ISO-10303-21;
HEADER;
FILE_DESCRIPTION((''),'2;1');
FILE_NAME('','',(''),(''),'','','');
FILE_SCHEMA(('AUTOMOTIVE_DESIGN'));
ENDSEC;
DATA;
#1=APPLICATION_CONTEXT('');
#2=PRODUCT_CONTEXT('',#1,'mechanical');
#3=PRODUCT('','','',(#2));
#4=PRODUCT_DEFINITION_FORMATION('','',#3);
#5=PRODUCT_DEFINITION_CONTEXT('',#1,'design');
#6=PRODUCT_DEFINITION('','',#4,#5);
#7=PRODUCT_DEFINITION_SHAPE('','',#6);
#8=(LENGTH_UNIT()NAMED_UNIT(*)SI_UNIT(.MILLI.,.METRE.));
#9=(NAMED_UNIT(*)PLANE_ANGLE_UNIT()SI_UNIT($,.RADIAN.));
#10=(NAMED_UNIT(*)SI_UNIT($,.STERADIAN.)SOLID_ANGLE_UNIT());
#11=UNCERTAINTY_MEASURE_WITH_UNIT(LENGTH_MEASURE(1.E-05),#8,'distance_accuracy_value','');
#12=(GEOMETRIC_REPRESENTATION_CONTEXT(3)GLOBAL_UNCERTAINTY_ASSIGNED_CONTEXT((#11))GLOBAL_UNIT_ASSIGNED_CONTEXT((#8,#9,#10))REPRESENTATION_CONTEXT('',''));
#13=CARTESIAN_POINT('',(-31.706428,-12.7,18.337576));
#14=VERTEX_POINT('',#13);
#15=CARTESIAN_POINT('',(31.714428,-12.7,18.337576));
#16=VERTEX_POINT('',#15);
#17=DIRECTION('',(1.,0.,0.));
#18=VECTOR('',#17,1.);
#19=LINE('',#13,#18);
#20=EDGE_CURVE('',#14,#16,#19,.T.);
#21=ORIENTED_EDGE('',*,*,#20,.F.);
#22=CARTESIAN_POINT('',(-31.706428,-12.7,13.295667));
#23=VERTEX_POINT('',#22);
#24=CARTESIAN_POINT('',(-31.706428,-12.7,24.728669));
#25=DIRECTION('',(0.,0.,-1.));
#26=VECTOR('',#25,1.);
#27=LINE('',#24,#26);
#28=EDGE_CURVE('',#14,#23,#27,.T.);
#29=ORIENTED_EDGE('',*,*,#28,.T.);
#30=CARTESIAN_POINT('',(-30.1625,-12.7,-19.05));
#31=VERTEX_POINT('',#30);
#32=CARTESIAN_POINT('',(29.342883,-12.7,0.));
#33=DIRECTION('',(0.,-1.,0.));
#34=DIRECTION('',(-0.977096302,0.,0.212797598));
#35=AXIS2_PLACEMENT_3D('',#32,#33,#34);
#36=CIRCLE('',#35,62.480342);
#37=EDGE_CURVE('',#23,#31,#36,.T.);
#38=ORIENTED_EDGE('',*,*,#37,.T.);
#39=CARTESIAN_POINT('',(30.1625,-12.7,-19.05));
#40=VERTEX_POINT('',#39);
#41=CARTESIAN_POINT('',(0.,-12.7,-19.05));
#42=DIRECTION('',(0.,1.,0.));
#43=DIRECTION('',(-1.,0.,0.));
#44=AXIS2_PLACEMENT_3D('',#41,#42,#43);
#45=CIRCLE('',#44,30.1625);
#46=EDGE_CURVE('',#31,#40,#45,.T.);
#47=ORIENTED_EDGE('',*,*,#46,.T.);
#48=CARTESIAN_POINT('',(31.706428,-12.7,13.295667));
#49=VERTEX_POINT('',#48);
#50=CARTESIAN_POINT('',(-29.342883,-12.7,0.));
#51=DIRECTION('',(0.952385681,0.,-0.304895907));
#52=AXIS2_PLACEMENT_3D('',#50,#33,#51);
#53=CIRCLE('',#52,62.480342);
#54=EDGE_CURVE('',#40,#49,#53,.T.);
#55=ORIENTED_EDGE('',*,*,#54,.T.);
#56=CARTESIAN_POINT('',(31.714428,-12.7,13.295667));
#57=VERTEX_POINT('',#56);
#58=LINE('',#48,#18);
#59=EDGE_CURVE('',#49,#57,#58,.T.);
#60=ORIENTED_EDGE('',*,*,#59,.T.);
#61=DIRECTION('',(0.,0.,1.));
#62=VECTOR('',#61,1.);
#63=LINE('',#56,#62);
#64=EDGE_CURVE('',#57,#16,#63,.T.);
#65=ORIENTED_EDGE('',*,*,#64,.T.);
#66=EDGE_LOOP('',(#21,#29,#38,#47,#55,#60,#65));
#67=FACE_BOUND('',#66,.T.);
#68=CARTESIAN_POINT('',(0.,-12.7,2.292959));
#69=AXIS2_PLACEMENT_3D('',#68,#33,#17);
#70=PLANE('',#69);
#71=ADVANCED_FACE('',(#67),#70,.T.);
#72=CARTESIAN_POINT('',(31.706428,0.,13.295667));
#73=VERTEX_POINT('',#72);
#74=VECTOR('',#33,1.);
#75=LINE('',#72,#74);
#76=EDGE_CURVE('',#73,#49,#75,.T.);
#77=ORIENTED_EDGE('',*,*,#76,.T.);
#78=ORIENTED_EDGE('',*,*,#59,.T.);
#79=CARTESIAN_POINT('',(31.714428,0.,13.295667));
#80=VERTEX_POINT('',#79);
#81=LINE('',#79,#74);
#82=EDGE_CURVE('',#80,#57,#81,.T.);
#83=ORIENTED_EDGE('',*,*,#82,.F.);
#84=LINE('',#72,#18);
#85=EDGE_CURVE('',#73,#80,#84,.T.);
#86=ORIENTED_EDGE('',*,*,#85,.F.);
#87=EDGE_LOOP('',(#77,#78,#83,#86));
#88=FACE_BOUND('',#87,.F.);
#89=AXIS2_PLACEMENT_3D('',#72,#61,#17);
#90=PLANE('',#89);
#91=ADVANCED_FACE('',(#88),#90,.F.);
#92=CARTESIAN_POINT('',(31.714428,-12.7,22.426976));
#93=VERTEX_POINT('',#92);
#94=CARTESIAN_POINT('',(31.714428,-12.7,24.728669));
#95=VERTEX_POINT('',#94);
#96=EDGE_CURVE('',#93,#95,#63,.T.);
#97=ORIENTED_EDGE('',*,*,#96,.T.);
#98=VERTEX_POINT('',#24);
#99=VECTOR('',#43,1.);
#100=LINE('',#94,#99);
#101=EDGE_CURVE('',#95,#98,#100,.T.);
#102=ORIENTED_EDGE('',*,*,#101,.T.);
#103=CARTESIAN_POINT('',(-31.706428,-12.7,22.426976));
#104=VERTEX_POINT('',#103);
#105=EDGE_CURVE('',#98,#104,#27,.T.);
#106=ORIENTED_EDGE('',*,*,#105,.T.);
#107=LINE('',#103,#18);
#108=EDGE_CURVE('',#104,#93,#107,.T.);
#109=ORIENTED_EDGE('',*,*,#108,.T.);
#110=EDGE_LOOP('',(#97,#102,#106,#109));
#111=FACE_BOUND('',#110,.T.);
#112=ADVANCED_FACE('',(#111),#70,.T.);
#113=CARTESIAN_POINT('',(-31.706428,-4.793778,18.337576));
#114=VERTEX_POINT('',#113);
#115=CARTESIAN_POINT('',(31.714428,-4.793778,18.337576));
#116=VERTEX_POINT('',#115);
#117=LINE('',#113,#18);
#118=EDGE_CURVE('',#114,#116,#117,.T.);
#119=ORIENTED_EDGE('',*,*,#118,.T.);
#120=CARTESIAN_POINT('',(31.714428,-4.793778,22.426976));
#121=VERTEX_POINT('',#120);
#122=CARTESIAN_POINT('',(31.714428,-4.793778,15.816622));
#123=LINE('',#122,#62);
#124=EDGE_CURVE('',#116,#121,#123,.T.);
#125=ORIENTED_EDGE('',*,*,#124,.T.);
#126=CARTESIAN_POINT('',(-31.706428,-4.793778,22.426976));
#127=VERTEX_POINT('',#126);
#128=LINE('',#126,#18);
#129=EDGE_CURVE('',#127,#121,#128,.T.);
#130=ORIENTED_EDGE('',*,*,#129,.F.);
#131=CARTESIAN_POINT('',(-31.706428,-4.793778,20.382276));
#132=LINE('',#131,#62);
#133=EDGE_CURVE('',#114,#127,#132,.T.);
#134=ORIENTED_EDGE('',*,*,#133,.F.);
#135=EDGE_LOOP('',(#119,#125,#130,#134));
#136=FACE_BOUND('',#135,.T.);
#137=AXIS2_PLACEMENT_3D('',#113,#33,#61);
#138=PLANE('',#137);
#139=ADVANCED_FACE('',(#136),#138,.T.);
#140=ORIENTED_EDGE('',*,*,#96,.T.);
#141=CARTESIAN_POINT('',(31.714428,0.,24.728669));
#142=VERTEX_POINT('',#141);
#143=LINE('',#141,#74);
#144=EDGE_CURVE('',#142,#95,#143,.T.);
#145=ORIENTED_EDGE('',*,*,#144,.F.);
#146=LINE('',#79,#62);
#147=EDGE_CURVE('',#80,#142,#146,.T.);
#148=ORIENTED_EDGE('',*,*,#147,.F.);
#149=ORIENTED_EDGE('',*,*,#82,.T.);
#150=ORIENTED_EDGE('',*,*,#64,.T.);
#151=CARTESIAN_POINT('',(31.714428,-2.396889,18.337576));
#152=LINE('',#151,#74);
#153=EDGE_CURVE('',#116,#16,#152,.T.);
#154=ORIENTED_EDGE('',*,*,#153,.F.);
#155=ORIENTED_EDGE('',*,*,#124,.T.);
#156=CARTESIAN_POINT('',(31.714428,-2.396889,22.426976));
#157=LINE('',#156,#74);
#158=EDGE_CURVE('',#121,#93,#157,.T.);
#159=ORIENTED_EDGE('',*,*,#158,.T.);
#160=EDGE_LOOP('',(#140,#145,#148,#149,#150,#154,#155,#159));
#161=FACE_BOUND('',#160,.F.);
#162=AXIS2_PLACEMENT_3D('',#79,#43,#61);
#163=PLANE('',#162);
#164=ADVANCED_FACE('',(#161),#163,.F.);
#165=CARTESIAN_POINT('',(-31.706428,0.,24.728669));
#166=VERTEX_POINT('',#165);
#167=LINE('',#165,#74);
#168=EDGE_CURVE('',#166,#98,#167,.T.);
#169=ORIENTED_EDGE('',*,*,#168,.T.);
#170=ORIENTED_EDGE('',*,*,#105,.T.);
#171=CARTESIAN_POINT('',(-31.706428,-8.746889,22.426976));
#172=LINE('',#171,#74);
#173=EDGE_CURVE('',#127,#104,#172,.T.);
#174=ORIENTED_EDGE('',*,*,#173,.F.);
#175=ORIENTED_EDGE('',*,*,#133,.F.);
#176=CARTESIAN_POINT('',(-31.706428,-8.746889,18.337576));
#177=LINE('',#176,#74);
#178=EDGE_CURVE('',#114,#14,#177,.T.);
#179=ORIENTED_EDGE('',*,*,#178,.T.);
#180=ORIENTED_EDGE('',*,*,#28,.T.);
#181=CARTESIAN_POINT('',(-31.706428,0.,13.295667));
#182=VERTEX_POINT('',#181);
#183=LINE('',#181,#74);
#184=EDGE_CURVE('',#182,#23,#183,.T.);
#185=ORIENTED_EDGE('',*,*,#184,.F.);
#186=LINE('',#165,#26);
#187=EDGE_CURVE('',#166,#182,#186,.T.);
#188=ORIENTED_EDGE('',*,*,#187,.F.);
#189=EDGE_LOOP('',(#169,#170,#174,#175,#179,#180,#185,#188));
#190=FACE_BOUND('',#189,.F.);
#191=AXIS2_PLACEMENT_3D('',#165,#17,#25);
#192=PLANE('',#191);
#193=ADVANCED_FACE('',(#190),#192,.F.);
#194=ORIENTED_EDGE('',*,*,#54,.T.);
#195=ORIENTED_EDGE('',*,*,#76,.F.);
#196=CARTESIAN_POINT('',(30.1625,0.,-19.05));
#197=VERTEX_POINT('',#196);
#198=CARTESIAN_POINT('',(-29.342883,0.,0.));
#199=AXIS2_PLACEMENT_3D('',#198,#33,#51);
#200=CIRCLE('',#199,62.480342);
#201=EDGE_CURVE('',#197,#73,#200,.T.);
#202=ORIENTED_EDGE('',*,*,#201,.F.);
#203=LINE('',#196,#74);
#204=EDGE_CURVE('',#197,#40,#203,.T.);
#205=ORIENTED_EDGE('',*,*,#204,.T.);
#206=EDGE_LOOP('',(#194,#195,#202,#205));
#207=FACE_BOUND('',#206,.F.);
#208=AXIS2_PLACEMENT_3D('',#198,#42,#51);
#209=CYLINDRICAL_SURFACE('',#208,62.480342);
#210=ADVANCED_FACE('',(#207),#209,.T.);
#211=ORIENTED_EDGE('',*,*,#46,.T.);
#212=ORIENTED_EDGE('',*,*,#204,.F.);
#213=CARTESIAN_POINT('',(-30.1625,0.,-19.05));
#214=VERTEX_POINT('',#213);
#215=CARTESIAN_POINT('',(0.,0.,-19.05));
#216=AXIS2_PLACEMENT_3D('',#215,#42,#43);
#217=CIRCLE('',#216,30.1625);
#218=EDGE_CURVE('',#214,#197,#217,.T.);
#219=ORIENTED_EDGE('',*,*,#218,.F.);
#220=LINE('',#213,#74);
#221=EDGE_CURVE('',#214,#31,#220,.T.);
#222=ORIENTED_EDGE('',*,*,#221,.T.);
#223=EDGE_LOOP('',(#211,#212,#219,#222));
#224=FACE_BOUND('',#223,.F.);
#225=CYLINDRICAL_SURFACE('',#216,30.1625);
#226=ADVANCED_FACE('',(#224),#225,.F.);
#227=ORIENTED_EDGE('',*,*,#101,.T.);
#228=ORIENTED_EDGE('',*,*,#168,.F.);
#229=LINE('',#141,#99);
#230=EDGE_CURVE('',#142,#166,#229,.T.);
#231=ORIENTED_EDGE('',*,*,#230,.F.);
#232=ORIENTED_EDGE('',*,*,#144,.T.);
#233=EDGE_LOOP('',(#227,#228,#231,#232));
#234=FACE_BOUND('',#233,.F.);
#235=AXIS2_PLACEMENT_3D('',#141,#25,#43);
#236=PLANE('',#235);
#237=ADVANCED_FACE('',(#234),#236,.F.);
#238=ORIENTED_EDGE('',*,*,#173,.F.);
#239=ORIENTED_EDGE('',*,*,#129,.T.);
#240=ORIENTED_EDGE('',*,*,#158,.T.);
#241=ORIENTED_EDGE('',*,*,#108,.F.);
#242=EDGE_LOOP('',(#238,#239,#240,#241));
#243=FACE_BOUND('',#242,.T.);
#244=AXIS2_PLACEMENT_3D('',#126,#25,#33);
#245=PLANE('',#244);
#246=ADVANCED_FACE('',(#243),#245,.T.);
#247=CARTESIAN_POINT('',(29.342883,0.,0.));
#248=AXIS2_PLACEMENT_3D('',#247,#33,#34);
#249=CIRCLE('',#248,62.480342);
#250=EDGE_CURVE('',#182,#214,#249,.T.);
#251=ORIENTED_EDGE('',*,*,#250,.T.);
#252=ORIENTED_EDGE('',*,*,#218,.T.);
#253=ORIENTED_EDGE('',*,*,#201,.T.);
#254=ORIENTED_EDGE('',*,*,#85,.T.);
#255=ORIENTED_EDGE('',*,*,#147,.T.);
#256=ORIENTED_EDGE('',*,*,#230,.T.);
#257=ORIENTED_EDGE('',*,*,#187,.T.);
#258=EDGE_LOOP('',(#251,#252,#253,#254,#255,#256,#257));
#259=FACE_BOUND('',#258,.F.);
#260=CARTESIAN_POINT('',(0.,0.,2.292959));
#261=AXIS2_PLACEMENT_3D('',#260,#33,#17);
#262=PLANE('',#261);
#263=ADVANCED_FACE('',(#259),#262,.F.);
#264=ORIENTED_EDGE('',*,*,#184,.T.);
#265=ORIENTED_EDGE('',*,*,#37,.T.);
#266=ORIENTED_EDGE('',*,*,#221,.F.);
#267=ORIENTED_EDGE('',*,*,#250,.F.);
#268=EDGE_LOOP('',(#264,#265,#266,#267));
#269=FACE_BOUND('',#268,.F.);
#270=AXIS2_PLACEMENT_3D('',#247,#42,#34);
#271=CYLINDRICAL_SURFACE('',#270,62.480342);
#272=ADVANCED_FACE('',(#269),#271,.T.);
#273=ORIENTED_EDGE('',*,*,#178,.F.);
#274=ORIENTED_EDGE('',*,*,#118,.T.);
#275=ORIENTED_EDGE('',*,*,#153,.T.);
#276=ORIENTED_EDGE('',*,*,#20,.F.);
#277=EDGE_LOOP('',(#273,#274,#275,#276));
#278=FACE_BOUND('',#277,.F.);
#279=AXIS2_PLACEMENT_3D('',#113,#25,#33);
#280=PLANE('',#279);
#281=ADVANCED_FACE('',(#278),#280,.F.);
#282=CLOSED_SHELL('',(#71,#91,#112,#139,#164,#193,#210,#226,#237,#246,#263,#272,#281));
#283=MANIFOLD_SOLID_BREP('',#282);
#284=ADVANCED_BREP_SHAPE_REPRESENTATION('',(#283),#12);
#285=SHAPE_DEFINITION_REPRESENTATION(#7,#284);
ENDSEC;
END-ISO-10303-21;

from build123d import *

# Parameters (mm, degrees)
F1_DEPTH = 12.7
F2_W     = 7.906222
F2_H     = 4.0894
F3_DEPTH = 64.844886


with BuildPart() as f1:
    # F0 (on Front) → F1 (new body)
    with BuildSketch(Plane.XZ):
        with BuildLine():
            ThreePointArc((-30.1625, -19.05), (0, 11.1125), (30.1625, -19.05))
            ThreePointArc((30.1625, -19.05), (33.066404, -2.978929), (31.706428, 13.295667))
            Line((31.706428, 13.295667), (-31.706428, 13.295667))
            ThreePointArc((-31.706428, 13.295667), (-33.066404, -2.978929), (-30.1625, -19.05))
        make_face()
        Polygon((-31.706428, 13.295667), (31.706428, 13.295667), (31.714428, 13.295667), (31.714428, 24.728669), (-31.706428, 24.728669), align=None)
    extrude(amount=F1_DEPTH)

    # F2 (on face) → F3 (cut, through all)
    with BuildSketch(Plane(origin=(-31.706428, 0, 0), x_dir=(0, -1, 0), z_dir=(-1, 0, 0))):
        with Locations((8.746889, 20.382276)):
            Rectangle(F2_W, F2_H)
    extrude(amount=-F3_DEPTH, mode=Mode.SUBTRACT)


solid = f1.part
